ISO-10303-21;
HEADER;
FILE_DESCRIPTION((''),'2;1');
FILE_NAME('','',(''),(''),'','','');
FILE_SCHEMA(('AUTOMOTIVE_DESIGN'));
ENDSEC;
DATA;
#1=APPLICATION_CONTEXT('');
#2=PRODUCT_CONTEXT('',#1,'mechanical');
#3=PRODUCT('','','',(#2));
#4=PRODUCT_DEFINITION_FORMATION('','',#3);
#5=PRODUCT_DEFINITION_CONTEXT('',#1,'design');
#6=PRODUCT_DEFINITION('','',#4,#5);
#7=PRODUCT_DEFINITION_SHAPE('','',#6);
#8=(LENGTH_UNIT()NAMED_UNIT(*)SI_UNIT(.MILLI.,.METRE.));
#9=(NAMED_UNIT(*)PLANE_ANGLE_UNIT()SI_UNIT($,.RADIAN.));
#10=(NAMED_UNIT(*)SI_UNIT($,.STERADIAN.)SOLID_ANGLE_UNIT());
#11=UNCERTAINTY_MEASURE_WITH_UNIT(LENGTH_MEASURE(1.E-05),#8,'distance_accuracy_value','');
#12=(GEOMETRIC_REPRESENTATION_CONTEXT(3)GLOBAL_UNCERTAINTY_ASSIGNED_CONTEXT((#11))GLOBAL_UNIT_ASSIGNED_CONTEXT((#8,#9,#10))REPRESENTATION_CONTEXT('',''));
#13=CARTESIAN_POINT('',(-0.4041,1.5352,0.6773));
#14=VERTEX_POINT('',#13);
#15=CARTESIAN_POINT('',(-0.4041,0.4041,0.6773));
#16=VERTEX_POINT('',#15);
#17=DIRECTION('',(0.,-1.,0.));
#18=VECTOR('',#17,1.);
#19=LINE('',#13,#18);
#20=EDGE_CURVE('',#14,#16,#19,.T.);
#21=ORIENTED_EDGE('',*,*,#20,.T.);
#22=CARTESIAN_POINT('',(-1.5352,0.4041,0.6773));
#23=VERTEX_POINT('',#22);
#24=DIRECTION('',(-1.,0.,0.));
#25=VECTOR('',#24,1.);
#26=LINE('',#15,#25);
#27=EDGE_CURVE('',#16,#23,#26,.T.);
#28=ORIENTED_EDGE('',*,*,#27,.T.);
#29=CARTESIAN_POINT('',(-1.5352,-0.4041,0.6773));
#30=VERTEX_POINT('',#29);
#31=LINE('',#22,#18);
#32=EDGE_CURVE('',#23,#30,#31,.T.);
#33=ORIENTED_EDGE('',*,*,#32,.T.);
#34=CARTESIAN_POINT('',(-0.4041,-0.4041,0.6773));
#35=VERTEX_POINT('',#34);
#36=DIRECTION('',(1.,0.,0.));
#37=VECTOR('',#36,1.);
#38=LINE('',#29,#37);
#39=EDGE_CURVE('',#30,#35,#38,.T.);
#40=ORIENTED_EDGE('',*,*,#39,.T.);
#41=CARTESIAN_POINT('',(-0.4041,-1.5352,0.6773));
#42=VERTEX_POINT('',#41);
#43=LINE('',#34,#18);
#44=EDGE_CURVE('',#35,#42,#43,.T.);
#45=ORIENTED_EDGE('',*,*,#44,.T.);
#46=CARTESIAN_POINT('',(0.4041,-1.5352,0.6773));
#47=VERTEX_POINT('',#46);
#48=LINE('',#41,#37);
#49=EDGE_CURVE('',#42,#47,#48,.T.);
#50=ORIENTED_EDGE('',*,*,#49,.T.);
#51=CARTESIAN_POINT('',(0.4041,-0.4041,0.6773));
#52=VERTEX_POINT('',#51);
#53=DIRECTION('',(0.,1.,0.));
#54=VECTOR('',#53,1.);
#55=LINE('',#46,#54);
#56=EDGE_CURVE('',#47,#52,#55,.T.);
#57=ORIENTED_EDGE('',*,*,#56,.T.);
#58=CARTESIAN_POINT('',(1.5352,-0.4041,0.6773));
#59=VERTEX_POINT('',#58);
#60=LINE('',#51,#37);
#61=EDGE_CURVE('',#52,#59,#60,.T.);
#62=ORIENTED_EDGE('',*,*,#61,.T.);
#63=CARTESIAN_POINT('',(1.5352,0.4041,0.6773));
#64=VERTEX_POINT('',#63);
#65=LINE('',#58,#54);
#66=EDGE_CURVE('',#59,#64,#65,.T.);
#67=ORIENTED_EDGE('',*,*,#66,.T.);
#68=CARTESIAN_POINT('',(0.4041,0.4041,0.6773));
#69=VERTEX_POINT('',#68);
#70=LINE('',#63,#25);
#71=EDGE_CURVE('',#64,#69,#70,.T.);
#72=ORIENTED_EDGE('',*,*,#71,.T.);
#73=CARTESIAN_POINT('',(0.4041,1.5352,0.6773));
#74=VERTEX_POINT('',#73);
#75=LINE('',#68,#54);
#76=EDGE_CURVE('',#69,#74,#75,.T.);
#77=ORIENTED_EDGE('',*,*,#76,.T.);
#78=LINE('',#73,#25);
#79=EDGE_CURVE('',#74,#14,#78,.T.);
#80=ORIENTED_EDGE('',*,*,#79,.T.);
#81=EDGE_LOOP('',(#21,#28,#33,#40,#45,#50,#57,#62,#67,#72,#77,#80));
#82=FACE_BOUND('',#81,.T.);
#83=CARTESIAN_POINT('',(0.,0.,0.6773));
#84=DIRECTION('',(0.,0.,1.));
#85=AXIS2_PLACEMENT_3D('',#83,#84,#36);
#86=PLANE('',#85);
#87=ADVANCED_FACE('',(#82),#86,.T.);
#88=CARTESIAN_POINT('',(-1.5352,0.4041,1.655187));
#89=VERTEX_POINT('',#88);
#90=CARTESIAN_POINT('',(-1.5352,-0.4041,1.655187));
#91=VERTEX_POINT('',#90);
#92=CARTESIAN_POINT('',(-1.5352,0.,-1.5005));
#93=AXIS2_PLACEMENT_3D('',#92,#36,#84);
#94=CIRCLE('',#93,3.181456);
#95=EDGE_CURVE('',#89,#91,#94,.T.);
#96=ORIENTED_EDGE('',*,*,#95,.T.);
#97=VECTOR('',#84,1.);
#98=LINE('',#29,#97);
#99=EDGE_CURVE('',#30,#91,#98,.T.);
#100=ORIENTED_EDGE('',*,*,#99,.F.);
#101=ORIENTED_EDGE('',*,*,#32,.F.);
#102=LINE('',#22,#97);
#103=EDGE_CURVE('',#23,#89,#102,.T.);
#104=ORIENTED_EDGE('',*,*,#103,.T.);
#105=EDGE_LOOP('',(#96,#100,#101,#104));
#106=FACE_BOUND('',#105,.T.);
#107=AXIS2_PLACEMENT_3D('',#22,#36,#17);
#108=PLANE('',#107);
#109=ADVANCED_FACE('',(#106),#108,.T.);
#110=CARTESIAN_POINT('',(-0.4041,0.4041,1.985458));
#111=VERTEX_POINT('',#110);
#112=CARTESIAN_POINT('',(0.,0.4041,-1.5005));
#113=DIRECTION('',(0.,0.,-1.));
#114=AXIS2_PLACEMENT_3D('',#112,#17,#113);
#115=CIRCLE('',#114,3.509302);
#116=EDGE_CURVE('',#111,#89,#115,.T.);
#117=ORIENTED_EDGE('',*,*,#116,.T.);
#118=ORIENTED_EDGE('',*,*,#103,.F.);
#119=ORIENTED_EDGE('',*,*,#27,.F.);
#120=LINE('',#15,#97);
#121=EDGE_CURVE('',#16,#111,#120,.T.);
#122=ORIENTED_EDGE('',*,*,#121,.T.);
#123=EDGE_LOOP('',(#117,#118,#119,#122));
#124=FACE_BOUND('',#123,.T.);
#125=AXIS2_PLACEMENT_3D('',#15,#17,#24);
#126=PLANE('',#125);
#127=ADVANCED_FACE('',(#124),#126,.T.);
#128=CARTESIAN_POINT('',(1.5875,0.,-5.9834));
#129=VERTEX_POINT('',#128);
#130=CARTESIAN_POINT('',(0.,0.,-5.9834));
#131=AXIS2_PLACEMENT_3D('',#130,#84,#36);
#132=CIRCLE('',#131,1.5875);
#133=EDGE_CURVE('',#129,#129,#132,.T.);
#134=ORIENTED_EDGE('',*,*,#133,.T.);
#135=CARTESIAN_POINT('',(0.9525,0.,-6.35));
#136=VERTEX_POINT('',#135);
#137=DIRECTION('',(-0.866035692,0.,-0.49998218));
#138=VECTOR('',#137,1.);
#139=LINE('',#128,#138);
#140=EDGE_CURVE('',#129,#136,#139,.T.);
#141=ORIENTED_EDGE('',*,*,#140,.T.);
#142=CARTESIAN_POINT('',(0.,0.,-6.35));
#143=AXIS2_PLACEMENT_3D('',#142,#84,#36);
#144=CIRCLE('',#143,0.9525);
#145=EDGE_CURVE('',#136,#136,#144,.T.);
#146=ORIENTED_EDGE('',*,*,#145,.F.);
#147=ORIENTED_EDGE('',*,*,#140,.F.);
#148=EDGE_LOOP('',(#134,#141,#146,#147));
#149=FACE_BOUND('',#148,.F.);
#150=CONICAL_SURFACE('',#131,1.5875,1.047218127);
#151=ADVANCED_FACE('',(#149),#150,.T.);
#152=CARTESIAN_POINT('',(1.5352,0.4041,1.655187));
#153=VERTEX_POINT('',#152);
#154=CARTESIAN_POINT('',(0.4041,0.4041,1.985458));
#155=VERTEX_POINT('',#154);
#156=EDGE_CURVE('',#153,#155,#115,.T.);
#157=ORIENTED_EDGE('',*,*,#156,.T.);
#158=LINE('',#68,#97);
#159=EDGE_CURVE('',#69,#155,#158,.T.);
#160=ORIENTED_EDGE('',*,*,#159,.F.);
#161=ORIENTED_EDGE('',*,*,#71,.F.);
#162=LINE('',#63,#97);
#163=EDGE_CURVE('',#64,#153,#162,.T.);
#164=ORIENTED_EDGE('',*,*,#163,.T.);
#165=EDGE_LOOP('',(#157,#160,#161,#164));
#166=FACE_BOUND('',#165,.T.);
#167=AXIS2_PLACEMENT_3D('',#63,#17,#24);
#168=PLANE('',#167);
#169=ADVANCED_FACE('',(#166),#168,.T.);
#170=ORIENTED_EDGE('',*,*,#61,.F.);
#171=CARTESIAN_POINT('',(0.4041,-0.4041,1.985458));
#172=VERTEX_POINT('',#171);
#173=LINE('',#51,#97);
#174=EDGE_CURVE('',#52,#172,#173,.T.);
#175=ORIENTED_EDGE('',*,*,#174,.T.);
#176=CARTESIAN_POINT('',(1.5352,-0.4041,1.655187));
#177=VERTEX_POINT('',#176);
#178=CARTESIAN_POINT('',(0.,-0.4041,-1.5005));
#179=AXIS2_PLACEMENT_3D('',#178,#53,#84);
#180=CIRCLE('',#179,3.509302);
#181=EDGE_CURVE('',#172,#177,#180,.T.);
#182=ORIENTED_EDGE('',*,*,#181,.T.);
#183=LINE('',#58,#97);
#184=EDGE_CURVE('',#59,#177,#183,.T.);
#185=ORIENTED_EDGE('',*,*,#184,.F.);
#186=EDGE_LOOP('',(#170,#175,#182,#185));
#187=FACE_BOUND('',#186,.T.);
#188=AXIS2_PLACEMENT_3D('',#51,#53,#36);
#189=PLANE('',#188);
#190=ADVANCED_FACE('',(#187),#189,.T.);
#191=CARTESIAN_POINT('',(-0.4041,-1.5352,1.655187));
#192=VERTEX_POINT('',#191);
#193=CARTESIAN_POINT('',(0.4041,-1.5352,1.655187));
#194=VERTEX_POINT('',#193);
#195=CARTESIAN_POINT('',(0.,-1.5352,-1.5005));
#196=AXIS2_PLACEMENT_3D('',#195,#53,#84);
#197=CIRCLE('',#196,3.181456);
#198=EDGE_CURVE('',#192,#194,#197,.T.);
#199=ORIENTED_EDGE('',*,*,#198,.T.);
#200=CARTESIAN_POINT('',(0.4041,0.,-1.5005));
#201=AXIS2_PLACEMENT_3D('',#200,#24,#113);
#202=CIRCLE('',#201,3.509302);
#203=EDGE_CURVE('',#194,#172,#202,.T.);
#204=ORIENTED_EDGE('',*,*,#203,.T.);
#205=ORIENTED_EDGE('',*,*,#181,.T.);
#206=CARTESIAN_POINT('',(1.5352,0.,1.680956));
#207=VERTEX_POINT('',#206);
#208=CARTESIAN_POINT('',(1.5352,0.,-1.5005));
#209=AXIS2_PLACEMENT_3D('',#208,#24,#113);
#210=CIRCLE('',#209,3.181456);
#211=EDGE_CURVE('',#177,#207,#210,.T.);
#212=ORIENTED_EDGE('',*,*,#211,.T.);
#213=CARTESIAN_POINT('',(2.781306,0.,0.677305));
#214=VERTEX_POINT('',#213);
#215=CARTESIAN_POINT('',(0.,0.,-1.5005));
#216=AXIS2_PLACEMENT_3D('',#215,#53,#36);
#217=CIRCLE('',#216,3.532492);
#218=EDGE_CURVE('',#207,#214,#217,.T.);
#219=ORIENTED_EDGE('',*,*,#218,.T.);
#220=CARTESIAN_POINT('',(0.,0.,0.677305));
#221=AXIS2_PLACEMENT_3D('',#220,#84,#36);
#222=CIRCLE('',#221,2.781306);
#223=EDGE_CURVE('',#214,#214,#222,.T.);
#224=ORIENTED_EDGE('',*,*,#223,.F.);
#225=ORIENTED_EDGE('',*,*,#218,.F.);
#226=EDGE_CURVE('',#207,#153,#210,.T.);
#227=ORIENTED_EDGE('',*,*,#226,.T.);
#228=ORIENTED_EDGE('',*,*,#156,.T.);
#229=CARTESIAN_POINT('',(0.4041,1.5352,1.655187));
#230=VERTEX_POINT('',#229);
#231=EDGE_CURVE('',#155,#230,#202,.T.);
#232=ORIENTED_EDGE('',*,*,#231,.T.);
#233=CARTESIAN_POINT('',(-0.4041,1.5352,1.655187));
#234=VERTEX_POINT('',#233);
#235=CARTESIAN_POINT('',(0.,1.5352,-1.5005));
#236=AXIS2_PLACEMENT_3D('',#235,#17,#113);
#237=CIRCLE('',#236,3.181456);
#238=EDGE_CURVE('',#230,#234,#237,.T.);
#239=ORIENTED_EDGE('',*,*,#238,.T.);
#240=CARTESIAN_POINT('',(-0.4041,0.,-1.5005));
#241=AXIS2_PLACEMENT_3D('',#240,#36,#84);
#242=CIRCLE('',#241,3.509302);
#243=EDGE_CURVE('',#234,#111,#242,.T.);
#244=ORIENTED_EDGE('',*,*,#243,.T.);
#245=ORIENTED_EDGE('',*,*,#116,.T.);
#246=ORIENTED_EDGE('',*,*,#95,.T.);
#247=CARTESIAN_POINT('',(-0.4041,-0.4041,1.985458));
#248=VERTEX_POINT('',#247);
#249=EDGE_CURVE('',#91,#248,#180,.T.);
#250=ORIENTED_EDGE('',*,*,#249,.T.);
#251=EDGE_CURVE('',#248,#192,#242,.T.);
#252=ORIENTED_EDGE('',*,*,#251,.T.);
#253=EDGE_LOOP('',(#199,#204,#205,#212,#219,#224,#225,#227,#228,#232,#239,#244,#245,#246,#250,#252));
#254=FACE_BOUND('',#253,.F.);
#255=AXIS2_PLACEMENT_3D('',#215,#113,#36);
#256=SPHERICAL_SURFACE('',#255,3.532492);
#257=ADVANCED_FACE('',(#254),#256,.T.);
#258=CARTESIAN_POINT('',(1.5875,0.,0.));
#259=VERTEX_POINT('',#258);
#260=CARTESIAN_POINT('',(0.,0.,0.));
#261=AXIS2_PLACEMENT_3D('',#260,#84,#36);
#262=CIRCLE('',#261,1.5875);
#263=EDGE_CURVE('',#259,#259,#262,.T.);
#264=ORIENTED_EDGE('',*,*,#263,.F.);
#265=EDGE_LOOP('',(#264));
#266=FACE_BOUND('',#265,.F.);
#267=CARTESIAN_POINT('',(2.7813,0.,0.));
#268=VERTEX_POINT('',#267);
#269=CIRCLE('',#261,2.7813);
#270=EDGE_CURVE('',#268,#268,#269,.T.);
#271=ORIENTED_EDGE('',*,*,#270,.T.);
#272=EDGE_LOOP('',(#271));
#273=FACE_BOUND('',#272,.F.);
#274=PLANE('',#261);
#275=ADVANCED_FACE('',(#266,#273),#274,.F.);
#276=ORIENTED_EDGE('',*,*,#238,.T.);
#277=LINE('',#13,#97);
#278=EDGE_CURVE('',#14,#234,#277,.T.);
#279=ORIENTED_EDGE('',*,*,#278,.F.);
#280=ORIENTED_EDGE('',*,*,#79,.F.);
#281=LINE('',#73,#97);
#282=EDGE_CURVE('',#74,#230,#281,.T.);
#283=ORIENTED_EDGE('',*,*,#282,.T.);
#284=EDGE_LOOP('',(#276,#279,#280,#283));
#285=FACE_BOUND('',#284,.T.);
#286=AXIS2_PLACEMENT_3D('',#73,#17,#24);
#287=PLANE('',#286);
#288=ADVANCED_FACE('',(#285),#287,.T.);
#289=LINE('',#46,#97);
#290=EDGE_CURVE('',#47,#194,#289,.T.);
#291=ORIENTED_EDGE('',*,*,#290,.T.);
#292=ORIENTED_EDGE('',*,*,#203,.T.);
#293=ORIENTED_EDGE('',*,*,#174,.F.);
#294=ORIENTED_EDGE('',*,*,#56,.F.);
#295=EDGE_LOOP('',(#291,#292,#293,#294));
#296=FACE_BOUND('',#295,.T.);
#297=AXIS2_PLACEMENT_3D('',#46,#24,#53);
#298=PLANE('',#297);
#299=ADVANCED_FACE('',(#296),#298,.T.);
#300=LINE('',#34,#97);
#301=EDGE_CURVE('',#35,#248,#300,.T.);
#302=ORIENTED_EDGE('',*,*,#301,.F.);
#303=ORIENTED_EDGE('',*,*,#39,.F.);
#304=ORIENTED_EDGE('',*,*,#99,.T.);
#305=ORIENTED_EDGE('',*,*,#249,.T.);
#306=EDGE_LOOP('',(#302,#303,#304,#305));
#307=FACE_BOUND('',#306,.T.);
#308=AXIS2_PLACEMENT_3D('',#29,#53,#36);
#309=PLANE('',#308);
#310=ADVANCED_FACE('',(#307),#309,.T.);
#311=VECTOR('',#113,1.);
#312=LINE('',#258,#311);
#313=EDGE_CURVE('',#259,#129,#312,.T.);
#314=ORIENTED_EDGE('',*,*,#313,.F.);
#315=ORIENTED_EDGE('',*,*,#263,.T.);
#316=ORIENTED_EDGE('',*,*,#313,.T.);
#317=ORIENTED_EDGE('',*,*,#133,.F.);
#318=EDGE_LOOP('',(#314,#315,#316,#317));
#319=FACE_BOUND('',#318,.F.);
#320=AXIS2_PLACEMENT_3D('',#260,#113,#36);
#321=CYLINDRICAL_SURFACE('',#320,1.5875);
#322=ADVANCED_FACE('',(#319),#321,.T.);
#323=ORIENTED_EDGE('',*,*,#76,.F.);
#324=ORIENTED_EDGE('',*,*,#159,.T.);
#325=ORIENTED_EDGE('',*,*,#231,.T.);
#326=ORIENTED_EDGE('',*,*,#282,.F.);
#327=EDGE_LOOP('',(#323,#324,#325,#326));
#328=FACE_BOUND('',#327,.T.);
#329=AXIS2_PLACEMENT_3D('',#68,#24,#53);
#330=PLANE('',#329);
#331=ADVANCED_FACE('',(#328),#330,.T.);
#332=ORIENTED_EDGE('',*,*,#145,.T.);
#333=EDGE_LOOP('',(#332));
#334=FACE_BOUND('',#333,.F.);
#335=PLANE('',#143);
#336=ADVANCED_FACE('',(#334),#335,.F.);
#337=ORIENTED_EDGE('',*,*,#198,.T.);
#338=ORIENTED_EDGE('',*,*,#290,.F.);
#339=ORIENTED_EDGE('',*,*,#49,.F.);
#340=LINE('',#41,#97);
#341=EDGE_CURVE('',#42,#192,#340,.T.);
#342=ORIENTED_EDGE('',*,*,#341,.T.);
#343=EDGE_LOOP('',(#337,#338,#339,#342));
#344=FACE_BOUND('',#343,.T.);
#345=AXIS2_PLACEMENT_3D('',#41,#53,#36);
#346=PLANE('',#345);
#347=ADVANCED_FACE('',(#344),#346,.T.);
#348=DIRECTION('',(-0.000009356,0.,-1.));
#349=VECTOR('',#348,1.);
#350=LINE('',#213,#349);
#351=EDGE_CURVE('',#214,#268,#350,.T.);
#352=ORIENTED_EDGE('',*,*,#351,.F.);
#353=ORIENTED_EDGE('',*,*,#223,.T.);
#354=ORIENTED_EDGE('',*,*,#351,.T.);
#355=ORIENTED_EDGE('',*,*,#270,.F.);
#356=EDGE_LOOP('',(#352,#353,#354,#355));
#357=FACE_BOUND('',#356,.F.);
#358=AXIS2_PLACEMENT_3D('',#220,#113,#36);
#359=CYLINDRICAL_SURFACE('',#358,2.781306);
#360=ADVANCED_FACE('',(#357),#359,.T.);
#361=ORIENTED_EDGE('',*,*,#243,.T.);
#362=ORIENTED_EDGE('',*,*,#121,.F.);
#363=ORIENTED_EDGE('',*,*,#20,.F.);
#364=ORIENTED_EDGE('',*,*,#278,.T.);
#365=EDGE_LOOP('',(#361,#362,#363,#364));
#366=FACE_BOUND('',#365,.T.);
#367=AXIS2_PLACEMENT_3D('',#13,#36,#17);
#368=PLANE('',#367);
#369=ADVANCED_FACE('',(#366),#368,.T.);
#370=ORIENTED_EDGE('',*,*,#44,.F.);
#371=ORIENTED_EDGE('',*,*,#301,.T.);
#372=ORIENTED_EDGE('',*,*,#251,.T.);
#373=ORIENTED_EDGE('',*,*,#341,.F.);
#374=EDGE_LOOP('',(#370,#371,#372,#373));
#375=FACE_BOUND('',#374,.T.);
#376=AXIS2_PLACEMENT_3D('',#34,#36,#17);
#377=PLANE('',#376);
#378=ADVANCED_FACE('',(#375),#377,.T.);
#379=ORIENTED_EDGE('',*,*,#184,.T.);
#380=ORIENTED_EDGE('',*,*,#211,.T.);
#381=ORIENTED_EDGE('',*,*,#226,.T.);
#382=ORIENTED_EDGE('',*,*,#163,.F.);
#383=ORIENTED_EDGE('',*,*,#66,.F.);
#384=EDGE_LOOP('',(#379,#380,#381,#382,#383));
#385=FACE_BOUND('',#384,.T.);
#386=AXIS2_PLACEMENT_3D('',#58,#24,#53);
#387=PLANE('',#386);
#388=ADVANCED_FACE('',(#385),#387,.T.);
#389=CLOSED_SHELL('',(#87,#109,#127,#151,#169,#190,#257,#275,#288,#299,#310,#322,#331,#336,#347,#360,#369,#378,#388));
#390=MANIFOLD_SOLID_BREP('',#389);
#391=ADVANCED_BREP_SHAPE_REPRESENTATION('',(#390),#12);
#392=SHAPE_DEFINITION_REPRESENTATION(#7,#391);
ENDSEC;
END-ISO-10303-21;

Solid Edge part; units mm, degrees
sketch "Sketch1" plane through (0, 0, 0) normal (0, -1, 0) x (1, 0, 0)
  arc A0 (0, 2.032) -> (2.7813, 0.6773) centre (0, -1.5005) cw
  line L0 (2.7813, 0.6773) -> (2.7813, 0)
  line L1 (2.7813, 0) -> (1.5875, 0)
  line L2 (1.5875, 0) -> (1.5875, -5.9834)
  line L3 (1.5875, -5.9834) -> (0.9525, -6.35)
  line L4 (0.9525, -6.35) -> (0, -6.35)
  dimension "D1" = 6.35
  dimension "D2" = 2.032
  dimension "D3" = 0.6773
revolve "RevolvedProtrusion1" add sketch "Sketch1" angle 360 about axis through (0, 0, 0) along (0, 0, 1)
sketch "Sketch2" plane through (0, 0, 0.6773) normal (0, 0, 1) x (1, 0, 0)
  line L0 (0.4041, -0.4041) -> (1.5352, -0.4041)
  line L1 (1.5352, -0.4041) -> (1.5352, 0.4041)
  line L2 (1.5352, 0.4041) -> (0.4041, 0.4041)
  line L3 (0.4041, 0.4041) -> (0.4041, 1.5352)
  line L4 (0.4041, 1.5352) -> (-0.4041, 1.5352)
  line L5 (-0.4041, 1.5352) -> (-0.4041, 0.4041)
  line L6 (-0.4041, 0.4041) -> (-1.5352, 0.4041)
  line L7 (-1.5352, 0.4041) -> (-1.5352, -0.4041)
  line L8 (-1.5352, -0.4041) -> (-0.4041, -0.4041)
  line L9 (-0.4041, -0.4041) -> (-0.4041, -1.5352)
  line L10 (-0.4041, -1.5352) -> (0.4041, -1.5352)
  line L11 (0.4041, -1.5352) -> (0.4041, -0.4041)
extrude "Cutout1" cut sketch "Sketch2" along normal through all
cosmetic_thread "Thread1" size "#5-40 UNC"
properties material "Acier galvanisé"
